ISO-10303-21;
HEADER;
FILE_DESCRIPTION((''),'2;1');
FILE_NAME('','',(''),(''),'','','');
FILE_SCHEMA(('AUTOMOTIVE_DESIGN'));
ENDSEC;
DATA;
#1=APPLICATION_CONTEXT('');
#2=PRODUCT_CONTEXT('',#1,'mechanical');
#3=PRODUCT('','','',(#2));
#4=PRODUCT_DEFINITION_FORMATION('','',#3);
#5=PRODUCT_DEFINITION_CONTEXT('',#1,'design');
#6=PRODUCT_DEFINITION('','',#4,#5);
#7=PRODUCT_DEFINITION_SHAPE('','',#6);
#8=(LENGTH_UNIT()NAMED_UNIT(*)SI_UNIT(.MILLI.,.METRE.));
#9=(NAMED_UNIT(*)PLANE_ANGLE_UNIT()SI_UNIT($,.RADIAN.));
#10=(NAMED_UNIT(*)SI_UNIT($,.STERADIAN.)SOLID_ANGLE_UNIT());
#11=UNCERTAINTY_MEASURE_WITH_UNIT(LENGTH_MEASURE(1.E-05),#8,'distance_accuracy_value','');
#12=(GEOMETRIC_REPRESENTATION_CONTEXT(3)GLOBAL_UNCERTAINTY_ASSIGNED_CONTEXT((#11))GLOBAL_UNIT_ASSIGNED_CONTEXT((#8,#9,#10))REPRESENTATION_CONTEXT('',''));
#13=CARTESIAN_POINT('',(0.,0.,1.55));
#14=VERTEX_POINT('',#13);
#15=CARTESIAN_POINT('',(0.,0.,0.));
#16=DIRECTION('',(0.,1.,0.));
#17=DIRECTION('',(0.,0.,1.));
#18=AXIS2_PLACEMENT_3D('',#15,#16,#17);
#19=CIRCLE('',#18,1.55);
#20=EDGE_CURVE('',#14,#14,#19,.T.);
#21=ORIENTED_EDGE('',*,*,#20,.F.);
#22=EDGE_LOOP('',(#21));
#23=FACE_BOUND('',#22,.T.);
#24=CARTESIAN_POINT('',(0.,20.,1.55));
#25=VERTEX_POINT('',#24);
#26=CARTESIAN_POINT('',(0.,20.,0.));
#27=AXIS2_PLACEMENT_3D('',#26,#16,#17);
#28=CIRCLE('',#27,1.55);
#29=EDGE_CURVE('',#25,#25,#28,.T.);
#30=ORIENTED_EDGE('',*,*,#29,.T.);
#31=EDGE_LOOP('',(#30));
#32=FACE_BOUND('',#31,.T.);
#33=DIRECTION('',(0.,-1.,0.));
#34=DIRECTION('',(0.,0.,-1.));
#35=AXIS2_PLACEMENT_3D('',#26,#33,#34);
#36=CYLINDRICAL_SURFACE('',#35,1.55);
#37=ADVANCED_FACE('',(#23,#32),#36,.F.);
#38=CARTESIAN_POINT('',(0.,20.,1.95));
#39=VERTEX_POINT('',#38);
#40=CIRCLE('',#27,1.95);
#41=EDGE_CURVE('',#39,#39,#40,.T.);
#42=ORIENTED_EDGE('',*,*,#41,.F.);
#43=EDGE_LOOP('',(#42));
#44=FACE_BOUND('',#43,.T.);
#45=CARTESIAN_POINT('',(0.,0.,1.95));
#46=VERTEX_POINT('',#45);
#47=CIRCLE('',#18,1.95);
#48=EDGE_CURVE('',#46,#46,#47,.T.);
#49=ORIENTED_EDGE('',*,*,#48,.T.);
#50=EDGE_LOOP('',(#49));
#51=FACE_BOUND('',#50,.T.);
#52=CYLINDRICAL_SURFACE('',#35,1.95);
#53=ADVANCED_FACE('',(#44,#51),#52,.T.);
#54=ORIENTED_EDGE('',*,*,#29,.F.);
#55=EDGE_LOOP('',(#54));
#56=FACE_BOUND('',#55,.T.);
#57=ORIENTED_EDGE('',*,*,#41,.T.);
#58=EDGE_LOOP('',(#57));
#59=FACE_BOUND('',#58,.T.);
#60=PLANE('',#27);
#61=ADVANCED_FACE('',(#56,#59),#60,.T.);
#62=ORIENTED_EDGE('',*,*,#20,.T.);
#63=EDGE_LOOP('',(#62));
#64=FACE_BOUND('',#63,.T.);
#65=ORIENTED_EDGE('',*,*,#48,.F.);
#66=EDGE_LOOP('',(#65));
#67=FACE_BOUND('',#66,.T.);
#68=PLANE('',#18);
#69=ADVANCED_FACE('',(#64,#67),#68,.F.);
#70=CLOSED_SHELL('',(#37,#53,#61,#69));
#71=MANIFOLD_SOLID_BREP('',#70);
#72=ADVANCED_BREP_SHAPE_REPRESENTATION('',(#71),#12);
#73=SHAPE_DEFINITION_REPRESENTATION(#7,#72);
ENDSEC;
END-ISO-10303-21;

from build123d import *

# Parameters (mm, degrees)
SKETCH_1_R      = 1.95
SKETCH_1_R_2    = 1.55
EXTRUDE_1_DEPTH = 20


with BuildPart() as part:
    # 草圖1 → 填料-伸長1 (new body)
    with BuildSketch(Plane(origin=(0, 0, 0), x_dir=(1, 0, 0), z_dir=(0, 1, 0))):
        with Locations(Location((0, 0, 0), (0, 0, 270))):
            Circle(SKETCH_1_R)
        with Locations(Location((0, 0, 0), (0, 0, 270))):
            Circle(SKETCH_1_R_2, mode=Mode.SUBTRACT)
    extrude(amount=EXTRUDE_1_DEPTH)


solid = part.part
